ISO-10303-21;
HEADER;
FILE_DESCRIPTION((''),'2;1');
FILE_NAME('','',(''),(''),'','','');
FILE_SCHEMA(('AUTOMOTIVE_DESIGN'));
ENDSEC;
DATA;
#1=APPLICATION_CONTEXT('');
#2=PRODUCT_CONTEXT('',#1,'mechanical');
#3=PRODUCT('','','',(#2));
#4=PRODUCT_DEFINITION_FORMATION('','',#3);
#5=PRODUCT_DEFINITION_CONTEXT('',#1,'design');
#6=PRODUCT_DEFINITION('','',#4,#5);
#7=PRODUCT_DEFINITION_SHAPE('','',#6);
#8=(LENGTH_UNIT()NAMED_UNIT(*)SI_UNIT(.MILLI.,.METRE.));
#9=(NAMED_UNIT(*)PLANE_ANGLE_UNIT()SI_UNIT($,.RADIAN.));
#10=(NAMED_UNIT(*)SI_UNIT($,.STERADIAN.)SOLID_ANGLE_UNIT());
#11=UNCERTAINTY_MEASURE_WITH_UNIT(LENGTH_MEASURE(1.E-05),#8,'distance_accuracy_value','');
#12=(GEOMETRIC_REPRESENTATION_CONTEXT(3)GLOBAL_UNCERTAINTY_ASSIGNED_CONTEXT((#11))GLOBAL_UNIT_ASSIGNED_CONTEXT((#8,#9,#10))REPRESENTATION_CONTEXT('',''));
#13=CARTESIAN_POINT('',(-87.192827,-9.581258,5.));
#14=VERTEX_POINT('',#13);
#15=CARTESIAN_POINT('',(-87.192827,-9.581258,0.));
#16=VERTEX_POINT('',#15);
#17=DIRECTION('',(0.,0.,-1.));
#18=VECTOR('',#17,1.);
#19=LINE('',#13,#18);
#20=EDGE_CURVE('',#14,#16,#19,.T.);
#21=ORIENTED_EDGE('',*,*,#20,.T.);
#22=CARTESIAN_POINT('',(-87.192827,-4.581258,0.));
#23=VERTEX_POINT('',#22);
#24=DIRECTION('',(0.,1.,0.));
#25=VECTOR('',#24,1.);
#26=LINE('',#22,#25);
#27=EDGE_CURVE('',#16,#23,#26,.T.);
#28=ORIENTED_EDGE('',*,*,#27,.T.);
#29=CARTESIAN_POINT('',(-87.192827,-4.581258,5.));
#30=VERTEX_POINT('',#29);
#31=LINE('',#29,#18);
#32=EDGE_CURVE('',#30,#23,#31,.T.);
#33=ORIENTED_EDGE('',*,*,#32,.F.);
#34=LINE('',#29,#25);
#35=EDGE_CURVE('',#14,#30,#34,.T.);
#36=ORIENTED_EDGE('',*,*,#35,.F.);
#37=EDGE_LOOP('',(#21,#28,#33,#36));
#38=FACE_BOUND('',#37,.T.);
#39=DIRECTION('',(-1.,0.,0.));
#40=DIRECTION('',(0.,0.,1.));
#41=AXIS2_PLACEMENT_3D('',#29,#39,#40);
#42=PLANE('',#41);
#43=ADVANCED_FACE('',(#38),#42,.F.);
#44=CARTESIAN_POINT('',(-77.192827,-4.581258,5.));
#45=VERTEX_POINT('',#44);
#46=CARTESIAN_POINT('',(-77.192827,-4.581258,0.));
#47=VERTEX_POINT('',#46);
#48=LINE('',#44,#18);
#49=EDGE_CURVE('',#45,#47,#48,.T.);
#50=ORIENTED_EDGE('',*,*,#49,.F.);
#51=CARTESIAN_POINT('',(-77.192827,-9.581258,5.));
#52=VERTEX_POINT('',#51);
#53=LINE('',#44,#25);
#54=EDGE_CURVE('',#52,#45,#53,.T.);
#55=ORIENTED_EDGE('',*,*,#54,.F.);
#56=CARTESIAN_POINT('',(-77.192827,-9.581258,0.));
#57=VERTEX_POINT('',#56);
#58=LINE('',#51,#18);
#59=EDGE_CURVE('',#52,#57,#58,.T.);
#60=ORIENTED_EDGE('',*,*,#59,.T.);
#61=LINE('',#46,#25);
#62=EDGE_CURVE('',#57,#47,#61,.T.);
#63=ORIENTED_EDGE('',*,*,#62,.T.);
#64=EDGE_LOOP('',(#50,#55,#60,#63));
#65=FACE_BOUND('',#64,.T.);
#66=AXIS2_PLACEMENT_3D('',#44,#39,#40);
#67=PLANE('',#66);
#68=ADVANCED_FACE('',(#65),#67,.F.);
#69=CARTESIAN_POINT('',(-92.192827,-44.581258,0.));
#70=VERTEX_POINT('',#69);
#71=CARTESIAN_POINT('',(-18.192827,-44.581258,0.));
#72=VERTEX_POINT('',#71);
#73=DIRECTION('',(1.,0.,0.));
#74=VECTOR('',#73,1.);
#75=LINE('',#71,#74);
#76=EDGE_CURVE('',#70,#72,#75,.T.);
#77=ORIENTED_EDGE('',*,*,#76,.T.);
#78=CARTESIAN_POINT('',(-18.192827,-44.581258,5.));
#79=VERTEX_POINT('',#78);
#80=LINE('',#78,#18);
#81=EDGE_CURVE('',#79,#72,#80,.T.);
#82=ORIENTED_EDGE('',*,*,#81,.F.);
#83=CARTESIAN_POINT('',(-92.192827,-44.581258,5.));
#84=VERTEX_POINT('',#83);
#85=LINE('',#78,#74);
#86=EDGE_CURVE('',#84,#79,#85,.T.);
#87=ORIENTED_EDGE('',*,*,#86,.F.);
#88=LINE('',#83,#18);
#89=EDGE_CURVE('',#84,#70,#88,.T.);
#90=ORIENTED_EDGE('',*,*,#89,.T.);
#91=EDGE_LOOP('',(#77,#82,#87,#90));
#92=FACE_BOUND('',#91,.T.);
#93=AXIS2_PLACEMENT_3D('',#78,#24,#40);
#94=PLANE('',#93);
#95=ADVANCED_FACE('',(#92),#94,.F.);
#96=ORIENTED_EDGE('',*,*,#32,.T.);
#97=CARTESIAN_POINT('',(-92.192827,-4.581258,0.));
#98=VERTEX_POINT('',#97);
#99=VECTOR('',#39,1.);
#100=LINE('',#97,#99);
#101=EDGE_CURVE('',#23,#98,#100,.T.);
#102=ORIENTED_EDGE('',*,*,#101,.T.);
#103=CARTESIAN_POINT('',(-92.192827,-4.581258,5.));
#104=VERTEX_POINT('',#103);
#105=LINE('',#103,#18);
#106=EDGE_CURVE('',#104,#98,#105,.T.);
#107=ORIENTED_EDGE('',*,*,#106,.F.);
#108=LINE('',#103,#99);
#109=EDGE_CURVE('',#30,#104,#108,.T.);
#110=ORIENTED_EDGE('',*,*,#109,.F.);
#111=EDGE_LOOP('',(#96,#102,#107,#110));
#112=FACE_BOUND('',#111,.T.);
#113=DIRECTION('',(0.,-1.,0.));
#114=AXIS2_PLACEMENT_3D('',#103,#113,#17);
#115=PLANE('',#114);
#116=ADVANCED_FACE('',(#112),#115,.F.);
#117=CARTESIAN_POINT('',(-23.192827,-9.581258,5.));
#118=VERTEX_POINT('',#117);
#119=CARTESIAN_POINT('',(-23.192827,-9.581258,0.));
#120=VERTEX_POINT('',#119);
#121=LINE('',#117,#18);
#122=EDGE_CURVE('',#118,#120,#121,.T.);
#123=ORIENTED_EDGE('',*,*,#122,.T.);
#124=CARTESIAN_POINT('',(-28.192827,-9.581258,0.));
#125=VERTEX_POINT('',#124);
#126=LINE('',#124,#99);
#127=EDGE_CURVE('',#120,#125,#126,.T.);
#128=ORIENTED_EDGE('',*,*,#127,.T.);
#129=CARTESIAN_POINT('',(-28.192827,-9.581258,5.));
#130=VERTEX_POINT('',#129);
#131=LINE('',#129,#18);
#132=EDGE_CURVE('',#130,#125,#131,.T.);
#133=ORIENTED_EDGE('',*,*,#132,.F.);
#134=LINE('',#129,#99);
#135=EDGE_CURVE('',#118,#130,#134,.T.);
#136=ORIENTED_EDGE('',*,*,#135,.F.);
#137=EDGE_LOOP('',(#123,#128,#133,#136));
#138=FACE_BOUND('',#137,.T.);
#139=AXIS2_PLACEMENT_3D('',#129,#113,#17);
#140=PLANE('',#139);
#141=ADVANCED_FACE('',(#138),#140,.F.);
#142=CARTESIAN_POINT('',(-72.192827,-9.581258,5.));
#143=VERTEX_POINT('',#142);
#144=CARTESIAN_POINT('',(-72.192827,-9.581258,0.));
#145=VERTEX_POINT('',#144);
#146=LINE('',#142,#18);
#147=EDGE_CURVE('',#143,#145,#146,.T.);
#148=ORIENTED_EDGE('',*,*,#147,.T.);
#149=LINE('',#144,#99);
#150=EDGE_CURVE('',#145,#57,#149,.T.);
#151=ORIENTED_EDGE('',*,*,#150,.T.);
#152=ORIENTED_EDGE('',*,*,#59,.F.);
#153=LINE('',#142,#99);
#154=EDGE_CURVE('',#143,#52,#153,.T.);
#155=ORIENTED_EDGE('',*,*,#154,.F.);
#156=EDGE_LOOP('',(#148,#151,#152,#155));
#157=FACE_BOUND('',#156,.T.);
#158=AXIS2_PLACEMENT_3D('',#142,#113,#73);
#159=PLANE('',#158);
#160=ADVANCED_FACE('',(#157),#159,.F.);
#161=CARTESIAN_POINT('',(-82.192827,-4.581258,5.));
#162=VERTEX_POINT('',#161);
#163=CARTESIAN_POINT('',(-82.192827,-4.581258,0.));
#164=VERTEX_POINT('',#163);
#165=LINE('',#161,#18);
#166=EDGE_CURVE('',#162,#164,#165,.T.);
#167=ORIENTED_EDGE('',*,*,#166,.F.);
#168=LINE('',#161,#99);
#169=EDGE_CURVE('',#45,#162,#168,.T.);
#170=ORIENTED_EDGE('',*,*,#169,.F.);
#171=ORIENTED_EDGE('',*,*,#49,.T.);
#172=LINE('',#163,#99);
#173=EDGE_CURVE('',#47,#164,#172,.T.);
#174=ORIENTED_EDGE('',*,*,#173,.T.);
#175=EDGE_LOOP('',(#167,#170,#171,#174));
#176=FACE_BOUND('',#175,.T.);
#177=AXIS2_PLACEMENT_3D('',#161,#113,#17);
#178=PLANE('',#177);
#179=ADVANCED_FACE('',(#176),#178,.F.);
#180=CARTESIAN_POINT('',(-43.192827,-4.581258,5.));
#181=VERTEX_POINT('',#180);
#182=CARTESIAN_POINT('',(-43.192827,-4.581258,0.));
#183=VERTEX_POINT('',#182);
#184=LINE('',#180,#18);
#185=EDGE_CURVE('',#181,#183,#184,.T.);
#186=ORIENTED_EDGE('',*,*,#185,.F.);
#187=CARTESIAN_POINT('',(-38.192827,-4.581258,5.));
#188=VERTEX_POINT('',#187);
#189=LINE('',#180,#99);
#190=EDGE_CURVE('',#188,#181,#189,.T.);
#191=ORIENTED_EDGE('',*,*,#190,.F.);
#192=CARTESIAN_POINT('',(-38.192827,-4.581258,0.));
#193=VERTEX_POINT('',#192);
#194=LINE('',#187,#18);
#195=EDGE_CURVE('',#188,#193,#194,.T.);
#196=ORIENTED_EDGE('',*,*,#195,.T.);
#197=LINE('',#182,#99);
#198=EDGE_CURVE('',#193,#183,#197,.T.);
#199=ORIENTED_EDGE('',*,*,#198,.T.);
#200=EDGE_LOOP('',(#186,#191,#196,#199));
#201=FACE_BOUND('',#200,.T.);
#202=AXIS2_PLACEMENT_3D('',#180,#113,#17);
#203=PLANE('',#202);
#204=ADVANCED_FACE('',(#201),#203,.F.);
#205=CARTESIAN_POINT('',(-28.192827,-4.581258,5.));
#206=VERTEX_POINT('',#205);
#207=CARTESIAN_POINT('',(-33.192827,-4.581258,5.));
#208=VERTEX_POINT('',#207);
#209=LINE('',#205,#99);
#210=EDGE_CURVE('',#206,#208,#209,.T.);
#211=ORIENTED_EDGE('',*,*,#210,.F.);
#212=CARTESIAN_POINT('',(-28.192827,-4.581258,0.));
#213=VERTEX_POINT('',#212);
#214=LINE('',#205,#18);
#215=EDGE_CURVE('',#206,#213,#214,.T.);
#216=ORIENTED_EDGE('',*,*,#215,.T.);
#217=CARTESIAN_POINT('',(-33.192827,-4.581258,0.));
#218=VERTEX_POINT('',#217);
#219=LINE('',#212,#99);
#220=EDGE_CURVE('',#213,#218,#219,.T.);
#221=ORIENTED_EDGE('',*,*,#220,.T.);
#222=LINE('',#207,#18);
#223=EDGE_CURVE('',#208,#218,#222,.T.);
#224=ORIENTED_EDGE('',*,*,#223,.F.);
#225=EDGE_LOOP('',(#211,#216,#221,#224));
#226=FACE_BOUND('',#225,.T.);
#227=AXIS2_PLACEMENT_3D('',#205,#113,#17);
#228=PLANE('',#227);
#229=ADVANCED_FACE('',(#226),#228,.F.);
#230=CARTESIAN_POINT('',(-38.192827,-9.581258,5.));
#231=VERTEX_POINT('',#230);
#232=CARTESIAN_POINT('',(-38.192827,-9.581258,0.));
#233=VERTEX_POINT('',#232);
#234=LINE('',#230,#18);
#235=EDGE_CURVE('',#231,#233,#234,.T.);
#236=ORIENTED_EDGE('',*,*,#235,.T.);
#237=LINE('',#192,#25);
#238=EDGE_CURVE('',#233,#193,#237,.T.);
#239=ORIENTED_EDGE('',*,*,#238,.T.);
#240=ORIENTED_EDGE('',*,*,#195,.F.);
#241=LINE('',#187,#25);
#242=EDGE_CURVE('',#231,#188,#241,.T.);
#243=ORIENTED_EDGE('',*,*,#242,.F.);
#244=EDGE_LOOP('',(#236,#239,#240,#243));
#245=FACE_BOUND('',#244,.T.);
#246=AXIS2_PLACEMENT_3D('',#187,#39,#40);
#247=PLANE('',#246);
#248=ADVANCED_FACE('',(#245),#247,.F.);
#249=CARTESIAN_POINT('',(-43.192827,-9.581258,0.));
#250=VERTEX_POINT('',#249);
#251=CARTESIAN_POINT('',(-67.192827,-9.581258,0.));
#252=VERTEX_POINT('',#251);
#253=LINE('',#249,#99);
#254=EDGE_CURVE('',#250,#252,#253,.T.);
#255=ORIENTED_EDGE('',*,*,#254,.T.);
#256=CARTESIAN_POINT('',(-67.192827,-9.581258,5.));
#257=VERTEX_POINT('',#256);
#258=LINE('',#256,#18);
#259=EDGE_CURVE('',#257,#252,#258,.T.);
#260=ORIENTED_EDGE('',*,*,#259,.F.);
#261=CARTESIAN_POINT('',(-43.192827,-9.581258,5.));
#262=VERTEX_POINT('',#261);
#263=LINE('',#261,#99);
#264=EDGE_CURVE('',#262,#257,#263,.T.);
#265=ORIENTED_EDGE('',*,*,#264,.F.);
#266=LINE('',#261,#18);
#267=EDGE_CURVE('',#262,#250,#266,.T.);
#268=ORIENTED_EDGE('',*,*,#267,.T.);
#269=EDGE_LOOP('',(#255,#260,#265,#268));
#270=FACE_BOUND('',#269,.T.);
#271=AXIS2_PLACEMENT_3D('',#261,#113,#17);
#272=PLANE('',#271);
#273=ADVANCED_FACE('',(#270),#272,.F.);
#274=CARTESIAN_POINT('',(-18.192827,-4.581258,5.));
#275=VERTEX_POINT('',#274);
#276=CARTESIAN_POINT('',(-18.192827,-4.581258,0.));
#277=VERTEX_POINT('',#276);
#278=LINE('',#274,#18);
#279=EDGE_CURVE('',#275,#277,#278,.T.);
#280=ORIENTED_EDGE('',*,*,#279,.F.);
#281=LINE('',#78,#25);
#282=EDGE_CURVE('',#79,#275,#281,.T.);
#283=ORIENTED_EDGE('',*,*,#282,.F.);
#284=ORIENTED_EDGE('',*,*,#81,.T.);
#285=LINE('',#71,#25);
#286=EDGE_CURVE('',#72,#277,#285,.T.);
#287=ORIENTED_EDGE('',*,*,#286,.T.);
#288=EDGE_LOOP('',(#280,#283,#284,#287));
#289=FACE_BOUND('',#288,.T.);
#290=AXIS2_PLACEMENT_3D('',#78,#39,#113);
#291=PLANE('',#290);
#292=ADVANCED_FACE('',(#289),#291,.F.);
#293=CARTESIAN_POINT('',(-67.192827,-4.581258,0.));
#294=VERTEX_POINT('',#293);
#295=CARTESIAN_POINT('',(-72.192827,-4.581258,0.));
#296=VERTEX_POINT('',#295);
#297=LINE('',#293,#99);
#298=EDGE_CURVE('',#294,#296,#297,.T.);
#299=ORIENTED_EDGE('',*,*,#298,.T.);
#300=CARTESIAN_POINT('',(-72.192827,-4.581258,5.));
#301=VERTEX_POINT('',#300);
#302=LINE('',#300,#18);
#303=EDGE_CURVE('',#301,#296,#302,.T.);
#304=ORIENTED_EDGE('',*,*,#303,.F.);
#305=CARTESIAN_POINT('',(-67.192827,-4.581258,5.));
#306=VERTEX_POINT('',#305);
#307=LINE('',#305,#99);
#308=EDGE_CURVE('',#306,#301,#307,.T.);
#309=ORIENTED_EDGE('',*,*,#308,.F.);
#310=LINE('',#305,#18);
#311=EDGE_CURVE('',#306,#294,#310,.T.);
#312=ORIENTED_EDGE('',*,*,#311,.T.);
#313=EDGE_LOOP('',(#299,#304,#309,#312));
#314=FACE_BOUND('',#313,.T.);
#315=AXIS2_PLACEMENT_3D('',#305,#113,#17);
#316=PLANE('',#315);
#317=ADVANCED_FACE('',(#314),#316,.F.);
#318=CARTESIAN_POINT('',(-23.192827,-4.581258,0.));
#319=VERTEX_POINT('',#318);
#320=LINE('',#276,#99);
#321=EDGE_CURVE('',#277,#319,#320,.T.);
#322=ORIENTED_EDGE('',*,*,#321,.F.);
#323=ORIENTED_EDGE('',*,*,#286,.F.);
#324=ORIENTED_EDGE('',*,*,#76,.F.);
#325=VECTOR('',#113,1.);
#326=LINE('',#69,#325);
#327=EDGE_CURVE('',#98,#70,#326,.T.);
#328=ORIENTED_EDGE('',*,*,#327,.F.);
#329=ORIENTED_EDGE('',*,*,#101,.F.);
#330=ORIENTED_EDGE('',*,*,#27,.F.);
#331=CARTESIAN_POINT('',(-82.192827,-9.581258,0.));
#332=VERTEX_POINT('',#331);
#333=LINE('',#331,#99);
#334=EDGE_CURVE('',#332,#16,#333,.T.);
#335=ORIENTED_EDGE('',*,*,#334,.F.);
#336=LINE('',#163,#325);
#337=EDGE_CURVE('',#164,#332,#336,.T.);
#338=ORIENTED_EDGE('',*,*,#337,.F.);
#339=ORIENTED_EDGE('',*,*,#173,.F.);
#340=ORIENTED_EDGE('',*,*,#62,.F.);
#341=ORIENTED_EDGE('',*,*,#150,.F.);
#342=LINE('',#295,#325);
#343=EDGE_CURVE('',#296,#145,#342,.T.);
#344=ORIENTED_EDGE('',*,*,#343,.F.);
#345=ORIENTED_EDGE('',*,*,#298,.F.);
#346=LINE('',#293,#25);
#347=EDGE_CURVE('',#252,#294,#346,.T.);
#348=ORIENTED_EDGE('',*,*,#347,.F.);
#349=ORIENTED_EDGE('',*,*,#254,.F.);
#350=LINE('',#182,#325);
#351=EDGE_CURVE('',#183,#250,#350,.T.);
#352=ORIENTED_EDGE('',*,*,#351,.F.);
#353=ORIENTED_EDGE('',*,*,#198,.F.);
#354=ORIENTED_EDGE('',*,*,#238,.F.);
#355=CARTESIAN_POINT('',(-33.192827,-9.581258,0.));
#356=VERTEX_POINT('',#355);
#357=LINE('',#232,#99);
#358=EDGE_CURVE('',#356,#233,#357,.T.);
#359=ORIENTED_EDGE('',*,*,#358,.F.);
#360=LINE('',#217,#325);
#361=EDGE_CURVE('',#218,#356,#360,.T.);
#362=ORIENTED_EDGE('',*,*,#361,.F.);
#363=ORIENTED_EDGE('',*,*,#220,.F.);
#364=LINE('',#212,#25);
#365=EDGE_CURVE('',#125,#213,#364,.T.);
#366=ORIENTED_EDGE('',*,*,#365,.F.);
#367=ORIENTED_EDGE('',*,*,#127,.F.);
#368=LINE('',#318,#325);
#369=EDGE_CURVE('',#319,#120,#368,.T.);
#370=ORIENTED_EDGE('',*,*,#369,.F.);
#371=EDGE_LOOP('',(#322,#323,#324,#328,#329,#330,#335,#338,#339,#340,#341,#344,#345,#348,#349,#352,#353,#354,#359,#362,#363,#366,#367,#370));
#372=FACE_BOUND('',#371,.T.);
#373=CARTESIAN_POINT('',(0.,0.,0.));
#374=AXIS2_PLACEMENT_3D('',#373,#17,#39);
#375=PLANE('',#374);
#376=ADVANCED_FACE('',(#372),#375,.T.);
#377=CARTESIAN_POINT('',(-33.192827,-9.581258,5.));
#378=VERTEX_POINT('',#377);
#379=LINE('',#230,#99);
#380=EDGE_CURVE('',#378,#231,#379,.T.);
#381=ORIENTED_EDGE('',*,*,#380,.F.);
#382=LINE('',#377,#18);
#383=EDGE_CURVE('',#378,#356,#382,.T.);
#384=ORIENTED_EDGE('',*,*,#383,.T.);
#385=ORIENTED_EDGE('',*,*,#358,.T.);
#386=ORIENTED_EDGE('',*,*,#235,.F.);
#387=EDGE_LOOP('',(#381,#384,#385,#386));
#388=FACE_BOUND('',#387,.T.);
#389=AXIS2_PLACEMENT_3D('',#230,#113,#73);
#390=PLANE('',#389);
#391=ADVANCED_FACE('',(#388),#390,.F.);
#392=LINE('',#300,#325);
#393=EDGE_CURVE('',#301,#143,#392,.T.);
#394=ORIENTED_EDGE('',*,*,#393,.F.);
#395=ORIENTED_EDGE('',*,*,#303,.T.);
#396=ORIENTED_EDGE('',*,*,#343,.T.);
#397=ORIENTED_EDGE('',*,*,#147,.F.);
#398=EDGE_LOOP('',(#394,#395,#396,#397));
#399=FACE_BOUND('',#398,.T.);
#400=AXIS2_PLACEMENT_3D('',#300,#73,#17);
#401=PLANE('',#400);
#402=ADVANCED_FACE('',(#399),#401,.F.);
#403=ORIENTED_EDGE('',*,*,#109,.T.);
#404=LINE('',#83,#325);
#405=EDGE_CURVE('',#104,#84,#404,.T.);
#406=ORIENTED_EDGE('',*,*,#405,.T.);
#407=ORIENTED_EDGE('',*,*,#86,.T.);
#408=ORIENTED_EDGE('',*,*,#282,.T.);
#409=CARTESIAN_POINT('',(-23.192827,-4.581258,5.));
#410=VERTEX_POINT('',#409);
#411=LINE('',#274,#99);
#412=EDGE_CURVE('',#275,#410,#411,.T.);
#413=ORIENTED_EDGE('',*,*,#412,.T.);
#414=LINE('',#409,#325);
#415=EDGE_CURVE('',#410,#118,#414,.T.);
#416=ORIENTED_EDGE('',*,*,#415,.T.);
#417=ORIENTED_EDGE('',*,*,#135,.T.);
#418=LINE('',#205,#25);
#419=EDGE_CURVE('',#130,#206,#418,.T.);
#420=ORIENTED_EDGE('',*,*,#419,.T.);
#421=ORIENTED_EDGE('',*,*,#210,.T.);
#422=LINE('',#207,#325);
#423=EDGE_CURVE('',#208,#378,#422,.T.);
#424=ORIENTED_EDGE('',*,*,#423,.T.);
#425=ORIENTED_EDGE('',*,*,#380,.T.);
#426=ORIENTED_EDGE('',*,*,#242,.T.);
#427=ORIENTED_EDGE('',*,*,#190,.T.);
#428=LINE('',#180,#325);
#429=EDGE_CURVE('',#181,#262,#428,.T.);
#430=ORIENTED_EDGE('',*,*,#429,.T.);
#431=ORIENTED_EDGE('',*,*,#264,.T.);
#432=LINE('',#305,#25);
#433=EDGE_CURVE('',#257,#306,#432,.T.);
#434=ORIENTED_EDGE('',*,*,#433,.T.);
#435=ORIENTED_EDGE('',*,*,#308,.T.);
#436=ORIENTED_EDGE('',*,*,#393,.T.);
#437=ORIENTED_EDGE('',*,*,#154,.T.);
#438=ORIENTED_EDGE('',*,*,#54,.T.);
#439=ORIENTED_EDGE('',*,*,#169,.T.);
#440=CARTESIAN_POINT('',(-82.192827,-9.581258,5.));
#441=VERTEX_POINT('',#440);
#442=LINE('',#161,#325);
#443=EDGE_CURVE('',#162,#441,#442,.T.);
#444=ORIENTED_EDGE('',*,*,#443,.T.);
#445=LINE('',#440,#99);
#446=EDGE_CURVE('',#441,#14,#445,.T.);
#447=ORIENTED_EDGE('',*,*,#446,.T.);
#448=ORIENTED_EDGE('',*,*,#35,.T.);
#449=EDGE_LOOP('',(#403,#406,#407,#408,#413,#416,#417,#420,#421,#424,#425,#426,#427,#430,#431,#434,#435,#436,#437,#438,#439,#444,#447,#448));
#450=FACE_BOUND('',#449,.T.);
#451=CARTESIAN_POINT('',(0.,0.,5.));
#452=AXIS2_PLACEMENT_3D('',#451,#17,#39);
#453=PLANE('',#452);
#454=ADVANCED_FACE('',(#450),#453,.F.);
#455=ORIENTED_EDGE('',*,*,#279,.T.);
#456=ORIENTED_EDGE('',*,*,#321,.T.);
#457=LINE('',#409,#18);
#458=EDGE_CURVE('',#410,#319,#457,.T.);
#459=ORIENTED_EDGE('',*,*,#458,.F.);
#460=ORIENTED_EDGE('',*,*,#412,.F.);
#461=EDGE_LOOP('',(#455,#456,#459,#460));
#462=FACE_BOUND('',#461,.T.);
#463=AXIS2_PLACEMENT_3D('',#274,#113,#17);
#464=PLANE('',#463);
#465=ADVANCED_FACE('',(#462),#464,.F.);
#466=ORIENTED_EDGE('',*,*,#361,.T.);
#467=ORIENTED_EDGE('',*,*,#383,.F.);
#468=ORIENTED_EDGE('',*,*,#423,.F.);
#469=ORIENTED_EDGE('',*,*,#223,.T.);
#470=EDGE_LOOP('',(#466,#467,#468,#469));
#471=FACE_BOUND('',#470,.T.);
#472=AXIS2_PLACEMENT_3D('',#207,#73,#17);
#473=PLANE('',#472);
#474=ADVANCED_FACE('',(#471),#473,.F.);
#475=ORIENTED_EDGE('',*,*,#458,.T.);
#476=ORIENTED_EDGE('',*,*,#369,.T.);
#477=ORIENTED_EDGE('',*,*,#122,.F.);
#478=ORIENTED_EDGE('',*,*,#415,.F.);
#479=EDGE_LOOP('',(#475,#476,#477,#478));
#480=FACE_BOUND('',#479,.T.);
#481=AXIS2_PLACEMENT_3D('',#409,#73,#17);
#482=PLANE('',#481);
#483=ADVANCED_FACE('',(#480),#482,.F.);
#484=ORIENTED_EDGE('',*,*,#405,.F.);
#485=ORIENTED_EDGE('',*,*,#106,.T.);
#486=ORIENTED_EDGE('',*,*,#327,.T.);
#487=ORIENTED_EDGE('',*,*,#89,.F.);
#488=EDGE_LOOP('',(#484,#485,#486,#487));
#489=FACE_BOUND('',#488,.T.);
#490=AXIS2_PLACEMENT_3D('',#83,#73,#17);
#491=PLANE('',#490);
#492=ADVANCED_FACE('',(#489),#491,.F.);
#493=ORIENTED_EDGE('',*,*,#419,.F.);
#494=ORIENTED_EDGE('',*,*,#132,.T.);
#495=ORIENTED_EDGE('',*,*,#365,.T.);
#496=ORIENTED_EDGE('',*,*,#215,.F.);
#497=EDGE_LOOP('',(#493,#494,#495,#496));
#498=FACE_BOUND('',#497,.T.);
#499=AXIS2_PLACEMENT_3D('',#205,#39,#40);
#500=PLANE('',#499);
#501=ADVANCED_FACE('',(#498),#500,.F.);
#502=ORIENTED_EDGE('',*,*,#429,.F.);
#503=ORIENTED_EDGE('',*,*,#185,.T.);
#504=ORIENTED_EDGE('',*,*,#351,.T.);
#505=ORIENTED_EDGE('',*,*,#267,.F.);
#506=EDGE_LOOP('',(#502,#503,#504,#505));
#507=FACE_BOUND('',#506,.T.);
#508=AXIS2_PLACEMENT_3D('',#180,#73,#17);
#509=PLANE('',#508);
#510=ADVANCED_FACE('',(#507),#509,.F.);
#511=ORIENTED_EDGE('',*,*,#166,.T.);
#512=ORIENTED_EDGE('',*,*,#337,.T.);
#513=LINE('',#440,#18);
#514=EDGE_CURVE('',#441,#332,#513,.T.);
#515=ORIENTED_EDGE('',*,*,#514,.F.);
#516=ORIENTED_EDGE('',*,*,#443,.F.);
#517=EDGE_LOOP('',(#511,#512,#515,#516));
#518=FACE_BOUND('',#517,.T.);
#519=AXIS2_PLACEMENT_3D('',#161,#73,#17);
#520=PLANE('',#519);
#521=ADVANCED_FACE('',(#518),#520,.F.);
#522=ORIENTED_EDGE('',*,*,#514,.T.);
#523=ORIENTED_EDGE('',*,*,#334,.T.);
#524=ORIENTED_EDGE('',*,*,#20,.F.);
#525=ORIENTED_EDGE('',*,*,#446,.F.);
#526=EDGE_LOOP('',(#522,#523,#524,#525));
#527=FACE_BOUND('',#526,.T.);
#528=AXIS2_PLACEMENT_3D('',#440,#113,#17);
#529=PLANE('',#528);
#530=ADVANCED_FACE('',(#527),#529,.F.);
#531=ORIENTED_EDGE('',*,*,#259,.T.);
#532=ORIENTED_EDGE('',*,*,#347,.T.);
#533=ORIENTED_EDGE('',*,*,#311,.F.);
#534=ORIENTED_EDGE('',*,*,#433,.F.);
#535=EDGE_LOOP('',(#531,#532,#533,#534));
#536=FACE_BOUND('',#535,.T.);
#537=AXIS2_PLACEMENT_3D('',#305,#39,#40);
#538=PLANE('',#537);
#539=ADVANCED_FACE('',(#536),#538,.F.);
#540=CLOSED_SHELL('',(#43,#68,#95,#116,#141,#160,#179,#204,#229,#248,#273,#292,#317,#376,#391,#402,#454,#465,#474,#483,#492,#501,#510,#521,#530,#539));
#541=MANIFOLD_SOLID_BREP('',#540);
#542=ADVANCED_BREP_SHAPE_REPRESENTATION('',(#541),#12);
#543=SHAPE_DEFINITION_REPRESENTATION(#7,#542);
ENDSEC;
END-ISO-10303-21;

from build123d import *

# Parameters (mm, degrees)
BOSS_EXTRU_1_DEPTH = 5


with BuildPart() as part:
    # Esquisse1 → Boss.-Extru.1 (new body)
    with BuildSketch(Plane.XY):
        Polygon((-43.192826577, -9.581257513), (-67.192826577, -9.581257513), (-67.192826577, -4.581257513), (-72.192826577, -4.581257513), (-72.192826577, -9.581257513), (-77.192826577, -9.581257513), (-77.192826577, -4.581257513), (-82.192826577, -4.581257513), (-82.192826577, -9.581257513), (-87.192826577, -9.581257513), (-87.192826577, -4.581257513), (-92.192826577, -4.581257513), (-92.192826577, -44.581257513), (-18.192826577, -44.581257513), (-18.192826577, -4.581257513), (-23.192826577, -4.581257513), (-23.192826577, -9.581257513), (-28.192826577, -9.581257513), (-28.192826577, -4.581257513), (-33.192826577, -4.581257513), (-33.192826577, -9.581257513), (-38.192826577, -9.581257513), (-38.192826577, -4.581257513), (-43.192826577, -4.581257513), align=None)
    extrude(amount=BOSS_EXTRU_1_DEPTH)


solid = part.part
